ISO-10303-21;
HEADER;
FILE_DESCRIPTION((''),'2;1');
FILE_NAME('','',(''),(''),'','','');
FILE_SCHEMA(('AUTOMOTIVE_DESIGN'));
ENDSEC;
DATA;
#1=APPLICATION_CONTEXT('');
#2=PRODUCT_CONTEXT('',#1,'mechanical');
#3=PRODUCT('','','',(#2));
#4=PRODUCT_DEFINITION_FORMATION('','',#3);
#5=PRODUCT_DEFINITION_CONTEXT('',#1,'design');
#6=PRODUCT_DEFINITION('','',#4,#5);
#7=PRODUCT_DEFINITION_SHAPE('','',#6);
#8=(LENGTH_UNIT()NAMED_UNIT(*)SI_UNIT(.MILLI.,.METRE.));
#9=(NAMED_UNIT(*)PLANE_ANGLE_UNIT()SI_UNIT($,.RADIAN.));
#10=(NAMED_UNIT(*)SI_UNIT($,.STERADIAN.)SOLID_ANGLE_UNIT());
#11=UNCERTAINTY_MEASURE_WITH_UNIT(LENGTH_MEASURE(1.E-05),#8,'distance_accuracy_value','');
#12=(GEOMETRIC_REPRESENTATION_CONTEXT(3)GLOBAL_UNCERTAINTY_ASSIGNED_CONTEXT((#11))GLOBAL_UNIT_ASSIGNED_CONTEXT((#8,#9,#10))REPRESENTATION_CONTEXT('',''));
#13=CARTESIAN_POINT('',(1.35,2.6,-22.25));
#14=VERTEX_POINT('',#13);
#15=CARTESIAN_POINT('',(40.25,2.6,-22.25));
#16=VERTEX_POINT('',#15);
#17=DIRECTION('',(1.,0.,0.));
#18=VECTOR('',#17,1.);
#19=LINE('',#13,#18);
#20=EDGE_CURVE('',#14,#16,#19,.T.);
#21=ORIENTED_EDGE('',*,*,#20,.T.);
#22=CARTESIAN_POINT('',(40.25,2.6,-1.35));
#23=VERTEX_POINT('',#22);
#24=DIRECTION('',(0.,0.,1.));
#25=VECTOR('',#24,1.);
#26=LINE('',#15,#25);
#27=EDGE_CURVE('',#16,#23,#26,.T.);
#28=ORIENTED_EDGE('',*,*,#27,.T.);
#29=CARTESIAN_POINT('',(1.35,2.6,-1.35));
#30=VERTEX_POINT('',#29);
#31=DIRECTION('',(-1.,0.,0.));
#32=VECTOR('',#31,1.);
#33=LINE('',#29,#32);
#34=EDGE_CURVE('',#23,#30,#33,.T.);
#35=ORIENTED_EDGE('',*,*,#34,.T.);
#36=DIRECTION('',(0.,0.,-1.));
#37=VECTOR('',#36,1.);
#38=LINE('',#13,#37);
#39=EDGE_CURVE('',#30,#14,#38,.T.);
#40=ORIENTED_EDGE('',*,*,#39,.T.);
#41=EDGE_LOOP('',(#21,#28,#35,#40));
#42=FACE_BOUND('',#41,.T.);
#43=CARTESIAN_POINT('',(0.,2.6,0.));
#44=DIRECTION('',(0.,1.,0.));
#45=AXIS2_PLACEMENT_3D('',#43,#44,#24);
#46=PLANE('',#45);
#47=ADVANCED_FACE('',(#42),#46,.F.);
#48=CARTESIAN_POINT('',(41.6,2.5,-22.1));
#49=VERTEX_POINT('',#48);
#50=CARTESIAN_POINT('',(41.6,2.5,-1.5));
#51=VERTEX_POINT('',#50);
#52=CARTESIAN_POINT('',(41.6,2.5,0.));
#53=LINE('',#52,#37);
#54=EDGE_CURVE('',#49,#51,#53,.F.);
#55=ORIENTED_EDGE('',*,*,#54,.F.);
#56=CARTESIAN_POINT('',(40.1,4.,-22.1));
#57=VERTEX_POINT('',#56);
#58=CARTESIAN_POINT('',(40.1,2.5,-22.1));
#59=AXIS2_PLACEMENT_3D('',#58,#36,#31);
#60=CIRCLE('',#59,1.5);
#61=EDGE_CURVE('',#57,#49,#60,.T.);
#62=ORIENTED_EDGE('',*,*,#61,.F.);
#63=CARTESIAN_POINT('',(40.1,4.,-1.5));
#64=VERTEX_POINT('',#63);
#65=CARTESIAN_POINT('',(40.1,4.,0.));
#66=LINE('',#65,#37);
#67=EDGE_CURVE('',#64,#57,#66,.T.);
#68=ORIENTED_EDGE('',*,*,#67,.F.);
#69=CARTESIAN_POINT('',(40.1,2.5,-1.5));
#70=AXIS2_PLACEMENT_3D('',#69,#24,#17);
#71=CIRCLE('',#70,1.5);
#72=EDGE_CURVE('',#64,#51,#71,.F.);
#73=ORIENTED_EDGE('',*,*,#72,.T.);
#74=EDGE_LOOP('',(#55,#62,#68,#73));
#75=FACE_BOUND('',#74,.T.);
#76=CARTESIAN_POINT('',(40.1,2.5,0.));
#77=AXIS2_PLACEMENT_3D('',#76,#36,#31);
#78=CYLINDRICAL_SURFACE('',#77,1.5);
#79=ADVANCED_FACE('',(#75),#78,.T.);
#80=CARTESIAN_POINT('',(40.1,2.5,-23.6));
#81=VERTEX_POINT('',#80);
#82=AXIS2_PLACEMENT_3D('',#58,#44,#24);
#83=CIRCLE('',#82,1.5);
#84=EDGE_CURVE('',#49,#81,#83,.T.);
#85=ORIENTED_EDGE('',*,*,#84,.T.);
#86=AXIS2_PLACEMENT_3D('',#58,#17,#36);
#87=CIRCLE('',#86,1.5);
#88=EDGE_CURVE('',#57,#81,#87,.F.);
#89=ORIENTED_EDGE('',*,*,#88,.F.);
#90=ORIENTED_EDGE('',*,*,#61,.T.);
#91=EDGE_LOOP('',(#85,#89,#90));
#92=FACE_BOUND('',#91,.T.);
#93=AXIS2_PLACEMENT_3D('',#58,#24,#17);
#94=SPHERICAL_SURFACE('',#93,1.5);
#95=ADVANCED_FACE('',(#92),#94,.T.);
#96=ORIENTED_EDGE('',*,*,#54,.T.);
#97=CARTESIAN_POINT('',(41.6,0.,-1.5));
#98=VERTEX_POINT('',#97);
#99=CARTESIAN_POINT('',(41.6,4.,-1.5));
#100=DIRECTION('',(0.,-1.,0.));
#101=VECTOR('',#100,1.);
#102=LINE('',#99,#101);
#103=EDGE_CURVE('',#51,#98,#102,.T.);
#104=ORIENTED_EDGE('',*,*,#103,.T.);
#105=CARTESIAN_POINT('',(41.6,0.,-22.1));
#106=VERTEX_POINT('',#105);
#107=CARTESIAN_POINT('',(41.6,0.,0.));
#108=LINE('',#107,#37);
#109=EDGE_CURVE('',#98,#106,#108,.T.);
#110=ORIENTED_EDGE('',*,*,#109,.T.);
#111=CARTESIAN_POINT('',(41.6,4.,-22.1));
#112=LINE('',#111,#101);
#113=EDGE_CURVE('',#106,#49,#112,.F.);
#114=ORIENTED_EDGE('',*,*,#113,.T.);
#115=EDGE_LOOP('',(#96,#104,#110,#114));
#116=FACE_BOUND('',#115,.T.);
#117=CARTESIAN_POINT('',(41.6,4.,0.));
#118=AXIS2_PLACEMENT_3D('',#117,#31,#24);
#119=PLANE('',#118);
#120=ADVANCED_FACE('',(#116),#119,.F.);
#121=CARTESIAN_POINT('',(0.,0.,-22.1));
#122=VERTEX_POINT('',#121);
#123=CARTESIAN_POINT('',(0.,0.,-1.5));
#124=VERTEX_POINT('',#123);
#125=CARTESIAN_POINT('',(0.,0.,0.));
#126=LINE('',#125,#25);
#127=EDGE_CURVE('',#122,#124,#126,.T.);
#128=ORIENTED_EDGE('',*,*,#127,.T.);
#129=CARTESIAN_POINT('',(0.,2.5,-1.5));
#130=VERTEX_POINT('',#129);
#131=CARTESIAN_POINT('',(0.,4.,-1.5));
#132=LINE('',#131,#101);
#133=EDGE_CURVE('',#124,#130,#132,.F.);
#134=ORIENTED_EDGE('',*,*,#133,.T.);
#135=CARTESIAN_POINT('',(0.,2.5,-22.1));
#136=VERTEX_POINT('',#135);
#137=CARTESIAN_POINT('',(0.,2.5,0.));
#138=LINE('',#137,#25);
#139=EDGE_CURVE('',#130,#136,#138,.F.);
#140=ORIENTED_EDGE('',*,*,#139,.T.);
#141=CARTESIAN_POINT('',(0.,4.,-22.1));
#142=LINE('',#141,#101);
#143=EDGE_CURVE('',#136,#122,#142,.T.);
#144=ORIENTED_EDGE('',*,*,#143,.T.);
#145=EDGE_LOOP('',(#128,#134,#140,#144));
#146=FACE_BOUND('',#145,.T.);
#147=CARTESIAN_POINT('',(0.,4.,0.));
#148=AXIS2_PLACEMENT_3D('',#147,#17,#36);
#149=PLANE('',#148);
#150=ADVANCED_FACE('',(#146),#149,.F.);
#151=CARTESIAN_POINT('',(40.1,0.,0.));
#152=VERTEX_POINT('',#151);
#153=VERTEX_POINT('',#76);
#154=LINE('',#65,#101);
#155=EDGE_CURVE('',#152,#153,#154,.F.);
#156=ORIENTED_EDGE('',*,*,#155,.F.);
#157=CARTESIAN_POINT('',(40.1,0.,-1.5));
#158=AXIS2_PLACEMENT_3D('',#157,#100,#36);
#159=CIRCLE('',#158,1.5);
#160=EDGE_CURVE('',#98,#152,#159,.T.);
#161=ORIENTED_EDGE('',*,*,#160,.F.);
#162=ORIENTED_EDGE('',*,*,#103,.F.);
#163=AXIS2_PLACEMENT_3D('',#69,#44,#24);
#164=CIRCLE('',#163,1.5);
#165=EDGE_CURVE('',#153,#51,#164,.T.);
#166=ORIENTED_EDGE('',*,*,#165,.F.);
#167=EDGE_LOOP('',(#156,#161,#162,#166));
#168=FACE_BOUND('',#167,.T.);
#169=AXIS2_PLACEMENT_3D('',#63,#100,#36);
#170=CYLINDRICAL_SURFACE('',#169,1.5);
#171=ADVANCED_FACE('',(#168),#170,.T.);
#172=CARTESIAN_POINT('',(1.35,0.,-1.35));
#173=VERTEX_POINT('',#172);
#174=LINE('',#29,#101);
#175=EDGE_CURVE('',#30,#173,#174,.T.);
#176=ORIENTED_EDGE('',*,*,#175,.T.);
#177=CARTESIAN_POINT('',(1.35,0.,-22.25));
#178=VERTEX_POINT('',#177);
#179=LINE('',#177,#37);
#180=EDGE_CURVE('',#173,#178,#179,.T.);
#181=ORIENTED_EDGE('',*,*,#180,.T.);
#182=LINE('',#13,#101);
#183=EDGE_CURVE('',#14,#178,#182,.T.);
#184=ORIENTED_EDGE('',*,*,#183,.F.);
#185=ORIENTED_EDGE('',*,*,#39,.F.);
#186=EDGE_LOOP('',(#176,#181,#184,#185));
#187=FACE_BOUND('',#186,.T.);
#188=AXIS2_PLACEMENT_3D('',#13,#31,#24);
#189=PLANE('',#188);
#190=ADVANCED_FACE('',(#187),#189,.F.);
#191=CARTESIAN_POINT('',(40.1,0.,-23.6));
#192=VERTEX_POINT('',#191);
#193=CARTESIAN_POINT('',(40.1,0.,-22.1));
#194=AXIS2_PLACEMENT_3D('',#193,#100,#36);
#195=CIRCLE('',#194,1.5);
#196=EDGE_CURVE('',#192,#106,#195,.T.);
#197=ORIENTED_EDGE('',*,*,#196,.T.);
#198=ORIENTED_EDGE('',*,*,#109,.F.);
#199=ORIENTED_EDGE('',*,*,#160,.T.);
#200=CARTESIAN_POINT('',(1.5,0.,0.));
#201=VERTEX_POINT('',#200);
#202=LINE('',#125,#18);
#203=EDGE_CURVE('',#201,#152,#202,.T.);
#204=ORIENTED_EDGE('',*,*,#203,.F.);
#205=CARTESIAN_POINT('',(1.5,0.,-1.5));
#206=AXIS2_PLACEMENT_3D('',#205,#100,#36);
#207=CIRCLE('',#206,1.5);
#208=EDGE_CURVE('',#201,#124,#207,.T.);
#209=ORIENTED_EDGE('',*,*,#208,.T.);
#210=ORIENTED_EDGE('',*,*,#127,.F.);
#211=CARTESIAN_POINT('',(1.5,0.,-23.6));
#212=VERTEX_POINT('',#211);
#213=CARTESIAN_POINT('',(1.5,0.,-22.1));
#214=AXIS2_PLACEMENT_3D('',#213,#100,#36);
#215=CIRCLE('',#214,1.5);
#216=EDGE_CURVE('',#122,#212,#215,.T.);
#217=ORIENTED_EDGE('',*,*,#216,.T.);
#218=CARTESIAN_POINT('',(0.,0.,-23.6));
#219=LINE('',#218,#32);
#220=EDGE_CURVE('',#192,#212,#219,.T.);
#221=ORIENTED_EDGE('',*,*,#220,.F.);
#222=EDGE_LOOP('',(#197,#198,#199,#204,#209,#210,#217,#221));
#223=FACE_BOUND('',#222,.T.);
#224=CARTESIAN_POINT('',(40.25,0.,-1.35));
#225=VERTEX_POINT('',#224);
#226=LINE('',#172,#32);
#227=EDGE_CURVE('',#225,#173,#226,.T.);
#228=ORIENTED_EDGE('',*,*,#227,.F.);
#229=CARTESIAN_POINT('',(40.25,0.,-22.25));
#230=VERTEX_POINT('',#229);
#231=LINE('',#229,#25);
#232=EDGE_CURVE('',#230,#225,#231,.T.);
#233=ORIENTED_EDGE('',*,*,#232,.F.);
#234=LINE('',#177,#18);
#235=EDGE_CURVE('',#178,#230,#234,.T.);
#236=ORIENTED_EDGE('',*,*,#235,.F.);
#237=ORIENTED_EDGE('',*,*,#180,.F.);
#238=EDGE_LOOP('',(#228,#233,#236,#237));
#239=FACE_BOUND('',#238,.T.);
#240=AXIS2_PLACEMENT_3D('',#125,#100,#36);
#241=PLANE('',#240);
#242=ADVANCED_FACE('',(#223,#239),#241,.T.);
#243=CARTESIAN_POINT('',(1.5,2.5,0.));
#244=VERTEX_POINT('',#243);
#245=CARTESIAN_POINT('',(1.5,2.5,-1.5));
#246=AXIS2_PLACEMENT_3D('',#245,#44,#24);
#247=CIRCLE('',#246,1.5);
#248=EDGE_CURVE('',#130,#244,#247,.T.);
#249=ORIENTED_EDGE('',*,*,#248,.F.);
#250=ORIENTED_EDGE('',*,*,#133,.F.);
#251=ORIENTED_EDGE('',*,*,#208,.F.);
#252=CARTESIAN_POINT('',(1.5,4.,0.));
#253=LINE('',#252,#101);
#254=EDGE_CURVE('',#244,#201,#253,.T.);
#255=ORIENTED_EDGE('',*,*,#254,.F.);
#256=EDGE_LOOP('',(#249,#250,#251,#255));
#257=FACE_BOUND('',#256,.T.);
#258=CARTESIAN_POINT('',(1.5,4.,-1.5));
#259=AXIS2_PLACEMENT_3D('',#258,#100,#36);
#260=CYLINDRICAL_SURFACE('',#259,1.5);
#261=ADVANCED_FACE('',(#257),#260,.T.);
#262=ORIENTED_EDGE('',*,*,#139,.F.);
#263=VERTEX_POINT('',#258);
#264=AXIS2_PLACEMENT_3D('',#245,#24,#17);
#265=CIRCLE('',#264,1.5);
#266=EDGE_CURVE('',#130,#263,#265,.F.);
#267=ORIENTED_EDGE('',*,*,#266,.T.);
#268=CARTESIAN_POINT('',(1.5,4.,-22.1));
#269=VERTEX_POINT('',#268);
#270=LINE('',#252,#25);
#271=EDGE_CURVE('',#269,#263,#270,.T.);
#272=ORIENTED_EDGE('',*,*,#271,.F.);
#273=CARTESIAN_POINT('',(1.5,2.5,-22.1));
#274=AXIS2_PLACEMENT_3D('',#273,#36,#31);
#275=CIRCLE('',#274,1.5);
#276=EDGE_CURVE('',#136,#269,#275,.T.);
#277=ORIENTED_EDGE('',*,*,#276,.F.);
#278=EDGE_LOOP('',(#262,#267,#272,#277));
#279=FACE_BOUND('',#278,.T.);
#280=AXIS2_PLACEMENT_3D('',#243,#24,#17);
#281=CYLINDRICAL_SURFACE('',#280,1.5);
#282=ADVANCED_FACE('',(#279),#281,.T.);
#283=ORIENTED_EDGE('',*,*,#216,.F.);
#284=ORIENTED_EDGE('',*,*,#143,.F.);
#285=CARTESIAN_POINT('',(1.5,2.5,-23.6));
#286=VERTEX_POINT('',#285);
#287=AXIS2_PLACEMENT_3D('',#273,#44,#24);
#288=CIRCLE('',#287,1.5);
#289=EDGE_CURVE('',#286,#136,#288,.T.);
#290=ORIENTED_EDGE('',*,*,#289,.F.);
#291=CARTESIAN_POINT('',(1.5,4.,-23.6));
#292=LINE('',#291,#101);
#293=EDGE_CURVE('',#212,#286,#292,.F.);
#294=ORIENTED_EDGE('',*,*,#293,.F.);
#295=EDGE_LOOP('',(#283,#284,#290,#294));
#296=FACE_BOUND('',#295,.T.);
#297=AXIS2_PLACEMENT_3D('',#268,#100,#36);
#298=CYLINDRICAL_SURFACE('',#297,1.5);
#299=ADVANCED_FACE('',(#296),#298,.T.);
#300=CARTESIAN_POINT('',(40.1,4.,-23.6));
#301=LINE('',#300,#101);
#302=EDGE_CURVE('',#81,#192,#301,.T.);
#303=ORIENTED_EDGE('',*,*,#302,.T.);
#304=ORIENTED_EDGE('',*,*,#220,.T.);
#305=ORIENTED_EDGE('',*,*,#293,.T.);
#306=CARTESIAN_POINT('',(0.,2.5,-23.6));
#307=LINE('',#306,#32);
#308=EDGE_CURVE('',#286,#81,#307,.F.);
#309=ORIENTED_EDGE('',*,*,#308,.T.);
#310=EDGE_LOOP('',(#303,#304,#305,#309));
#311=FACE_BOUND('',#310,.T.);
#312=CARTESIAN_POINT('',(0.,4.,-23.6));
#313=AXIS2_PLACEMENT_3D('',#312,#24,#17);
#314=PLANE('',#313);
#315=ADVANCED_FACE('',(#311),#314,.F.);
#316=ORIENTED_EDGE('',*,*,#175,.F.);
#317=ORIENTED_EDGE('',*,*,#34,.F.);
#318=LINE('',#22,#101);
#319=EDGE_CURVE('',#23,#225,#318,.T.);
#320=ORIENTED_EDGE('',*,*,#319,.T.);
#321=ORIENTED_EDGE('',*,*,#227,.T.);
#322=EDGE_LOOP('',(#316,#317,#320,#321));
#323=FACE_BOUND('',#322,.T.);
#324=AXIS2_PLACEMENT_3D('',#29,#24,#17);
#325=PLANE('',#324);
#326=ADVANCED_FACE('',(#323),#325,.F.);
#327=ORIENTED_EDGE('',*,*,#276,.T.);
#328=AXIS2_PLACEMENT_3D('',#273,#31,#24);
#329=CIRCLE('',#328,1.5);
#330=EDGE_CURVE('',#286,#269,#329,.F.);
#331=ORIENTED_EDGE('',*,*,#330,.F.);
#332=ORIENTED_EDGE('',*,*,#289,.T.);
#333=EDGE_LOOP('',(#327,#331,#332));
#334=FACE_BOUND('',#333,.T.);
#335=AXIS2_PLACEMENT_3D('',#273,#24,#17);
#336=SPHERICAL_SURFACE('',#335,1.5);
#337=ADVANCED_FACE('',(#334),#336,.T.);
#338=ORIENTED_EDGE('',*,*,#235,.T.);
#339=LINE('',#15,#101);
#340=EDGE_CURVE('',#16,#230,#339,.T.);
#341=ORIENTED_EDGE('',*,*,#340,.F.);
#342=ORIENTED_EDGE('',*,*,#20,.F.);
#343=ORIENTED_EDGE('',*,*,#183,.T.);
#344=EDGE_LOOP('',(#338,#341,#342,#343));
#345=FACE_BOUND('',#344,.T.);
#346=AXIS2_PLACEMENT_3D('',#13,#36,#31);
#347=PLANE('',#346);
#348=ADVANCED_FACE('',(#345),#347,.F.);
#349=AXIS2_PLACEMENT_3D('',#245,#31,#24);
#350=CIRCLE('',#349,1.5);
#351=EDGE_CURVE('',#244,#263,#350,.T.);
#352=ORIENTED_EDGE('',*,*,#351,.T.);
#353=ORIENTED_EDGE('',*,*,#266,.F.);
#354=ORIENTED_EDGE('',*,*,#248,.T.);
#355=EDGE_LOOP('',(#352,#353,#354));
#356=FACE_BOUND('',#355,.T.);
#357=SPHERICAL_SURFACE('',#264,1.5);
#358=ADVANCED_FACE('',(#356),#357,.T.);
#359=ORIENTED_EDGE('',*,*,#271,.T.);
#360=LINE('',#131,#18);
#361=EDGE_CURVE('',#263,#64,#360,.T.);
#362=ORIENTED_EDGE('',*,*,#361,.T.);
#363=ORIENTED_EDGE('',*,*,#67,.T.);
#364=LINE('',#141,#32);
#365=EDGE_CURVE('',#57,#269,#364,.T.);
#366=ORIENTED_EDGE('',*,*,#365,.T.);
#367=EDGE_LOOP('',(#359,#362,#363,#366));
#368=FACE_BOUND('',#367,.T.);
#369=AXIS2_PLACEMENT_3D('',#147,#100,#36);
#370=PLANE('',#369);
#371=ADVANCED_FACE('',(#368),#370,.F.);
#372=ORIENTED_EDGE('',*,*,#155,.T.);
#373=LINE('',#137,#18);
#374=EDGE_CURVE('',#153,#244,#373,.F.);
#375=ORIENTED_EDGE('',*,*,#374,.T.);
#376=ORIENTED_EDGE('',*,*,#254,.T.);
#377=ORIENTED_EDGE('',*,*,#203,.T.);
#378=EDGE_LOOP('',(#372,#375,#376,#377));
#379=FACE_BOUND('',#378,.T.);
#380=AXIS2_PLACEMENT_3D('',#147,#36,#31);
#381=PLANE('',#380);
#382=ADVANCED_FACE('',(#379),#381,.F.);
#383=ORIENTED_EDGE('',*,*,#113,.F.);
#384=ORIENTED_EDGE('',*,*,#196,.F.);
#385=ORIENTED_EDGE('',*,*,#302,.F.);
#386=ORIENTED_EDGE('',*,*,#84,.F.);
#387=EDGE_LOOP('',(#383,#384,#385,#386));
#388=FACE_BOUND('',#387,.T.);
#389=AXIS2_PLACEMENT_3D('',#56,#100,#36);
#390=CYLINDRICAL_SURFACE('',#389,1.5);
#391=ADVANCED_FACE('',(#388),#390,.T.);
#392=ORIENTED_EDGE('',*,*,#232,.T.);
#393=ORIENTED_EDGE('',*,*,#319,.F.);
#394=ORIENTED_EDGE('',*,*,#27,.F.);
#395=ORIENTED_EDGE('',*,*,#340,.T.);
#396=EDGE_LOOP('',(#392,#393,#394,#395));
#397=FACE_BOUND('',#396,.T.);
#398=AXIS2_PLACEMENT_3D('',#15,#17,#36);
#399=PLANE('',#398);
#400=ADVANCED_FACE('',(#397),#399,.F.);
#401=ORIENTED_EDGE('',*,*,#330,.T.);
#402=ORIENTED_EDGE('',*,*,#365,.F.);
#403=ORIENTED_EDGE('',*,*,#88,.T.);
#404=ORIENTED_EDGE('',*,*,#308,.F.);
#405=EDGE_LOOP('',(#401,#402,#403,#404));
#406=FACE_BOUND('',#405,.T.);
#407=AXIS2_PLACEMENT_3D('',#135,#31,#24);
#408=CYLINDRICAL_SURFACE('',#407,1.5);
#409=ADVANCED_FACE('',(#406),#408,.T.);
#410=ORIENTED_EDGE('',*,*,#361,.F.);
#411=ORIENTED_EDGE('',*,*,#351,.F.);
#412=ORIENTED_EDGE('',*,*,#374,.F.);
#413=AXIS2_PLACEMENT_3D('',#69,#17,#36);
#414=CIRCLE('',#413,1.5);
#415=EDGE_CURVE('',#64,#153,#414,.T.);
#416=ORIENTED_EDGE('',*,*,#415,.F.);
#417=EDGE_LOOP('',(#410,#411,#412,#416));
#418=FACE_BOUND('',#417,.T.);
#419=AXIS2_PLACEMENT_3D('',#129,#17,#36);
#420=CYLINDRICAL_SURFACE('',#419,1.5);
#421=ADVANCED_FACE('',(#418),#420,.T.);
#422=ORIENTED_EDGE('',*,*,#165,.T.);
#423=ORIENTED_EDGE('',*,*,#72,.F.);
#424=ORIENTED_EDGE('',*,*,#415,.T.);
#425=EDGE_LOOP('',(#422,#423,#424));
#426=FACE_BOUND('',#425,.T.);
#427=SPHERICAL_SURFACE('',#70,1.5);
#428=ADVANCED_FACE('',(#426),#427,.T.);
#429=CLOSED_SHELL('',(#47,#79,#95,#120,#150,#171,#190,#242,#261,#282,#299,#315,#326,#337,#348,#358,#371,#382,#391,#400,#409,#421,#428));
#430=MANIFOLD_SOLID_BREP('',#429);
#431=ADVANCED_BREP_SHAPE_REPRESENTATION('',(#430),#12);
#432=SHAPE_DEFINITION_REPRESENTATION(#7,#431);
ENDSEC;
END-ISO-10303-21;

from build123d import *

# Parameters (mm, degrees)
SKETCH1_W           = 41.6
SKETCH1_H           = 23.6
BOSS_EXTRUDE1_DEPTH = 4
SKETCH2_W           = 38.9
SKETCH2_H           = 20.9
CUT_EXTRUDE1_DEPTH  = 2.6
FILLET1_R           = 1.5


with BuildPart() as part:
    # Sketch1 → Boss-Extrude1 (new body)
    with BuildSketch(Plane(origin=(0, 0, 0), x_dir=(1, 0, 0), z_dir=(0, 1, 0))):
        with Locations((20.8, 11.8)):
            Rectangle(SKETCH1_W, SKETCH1_H)
    extrude(amount=BOSS_EXTRUDE1_DEPTH)

    # Sketch2 → Cut-Extrude1 (cut)
    with BuildSketch(Plane.XZ):
        with Locations((20.8, -11.8)):
            Rectangle(SKETCH2_W, SKETCH2_H)
    extrude(amount=-CUT_EXTRUDE1_DEPTH, mode=Mode.SUBTRACT)

    # Fillet1
    fillet1_edges = [part.edges().sort_by_distance(p)[0] for p in [
        (41.6, 4, -11.8),
        (20.8, 4, -23.6),
        (0, 4, -11.8),
        (20.8, 4, 0),
        (0, 2, -23.6),
        (41.6, 2, -23.6),
        (41.6, 2, 0),
        (0, 2, 0),
    ]]
    fillet(fillet1_edges, radius=FILLET1_R)


solid = part.part
